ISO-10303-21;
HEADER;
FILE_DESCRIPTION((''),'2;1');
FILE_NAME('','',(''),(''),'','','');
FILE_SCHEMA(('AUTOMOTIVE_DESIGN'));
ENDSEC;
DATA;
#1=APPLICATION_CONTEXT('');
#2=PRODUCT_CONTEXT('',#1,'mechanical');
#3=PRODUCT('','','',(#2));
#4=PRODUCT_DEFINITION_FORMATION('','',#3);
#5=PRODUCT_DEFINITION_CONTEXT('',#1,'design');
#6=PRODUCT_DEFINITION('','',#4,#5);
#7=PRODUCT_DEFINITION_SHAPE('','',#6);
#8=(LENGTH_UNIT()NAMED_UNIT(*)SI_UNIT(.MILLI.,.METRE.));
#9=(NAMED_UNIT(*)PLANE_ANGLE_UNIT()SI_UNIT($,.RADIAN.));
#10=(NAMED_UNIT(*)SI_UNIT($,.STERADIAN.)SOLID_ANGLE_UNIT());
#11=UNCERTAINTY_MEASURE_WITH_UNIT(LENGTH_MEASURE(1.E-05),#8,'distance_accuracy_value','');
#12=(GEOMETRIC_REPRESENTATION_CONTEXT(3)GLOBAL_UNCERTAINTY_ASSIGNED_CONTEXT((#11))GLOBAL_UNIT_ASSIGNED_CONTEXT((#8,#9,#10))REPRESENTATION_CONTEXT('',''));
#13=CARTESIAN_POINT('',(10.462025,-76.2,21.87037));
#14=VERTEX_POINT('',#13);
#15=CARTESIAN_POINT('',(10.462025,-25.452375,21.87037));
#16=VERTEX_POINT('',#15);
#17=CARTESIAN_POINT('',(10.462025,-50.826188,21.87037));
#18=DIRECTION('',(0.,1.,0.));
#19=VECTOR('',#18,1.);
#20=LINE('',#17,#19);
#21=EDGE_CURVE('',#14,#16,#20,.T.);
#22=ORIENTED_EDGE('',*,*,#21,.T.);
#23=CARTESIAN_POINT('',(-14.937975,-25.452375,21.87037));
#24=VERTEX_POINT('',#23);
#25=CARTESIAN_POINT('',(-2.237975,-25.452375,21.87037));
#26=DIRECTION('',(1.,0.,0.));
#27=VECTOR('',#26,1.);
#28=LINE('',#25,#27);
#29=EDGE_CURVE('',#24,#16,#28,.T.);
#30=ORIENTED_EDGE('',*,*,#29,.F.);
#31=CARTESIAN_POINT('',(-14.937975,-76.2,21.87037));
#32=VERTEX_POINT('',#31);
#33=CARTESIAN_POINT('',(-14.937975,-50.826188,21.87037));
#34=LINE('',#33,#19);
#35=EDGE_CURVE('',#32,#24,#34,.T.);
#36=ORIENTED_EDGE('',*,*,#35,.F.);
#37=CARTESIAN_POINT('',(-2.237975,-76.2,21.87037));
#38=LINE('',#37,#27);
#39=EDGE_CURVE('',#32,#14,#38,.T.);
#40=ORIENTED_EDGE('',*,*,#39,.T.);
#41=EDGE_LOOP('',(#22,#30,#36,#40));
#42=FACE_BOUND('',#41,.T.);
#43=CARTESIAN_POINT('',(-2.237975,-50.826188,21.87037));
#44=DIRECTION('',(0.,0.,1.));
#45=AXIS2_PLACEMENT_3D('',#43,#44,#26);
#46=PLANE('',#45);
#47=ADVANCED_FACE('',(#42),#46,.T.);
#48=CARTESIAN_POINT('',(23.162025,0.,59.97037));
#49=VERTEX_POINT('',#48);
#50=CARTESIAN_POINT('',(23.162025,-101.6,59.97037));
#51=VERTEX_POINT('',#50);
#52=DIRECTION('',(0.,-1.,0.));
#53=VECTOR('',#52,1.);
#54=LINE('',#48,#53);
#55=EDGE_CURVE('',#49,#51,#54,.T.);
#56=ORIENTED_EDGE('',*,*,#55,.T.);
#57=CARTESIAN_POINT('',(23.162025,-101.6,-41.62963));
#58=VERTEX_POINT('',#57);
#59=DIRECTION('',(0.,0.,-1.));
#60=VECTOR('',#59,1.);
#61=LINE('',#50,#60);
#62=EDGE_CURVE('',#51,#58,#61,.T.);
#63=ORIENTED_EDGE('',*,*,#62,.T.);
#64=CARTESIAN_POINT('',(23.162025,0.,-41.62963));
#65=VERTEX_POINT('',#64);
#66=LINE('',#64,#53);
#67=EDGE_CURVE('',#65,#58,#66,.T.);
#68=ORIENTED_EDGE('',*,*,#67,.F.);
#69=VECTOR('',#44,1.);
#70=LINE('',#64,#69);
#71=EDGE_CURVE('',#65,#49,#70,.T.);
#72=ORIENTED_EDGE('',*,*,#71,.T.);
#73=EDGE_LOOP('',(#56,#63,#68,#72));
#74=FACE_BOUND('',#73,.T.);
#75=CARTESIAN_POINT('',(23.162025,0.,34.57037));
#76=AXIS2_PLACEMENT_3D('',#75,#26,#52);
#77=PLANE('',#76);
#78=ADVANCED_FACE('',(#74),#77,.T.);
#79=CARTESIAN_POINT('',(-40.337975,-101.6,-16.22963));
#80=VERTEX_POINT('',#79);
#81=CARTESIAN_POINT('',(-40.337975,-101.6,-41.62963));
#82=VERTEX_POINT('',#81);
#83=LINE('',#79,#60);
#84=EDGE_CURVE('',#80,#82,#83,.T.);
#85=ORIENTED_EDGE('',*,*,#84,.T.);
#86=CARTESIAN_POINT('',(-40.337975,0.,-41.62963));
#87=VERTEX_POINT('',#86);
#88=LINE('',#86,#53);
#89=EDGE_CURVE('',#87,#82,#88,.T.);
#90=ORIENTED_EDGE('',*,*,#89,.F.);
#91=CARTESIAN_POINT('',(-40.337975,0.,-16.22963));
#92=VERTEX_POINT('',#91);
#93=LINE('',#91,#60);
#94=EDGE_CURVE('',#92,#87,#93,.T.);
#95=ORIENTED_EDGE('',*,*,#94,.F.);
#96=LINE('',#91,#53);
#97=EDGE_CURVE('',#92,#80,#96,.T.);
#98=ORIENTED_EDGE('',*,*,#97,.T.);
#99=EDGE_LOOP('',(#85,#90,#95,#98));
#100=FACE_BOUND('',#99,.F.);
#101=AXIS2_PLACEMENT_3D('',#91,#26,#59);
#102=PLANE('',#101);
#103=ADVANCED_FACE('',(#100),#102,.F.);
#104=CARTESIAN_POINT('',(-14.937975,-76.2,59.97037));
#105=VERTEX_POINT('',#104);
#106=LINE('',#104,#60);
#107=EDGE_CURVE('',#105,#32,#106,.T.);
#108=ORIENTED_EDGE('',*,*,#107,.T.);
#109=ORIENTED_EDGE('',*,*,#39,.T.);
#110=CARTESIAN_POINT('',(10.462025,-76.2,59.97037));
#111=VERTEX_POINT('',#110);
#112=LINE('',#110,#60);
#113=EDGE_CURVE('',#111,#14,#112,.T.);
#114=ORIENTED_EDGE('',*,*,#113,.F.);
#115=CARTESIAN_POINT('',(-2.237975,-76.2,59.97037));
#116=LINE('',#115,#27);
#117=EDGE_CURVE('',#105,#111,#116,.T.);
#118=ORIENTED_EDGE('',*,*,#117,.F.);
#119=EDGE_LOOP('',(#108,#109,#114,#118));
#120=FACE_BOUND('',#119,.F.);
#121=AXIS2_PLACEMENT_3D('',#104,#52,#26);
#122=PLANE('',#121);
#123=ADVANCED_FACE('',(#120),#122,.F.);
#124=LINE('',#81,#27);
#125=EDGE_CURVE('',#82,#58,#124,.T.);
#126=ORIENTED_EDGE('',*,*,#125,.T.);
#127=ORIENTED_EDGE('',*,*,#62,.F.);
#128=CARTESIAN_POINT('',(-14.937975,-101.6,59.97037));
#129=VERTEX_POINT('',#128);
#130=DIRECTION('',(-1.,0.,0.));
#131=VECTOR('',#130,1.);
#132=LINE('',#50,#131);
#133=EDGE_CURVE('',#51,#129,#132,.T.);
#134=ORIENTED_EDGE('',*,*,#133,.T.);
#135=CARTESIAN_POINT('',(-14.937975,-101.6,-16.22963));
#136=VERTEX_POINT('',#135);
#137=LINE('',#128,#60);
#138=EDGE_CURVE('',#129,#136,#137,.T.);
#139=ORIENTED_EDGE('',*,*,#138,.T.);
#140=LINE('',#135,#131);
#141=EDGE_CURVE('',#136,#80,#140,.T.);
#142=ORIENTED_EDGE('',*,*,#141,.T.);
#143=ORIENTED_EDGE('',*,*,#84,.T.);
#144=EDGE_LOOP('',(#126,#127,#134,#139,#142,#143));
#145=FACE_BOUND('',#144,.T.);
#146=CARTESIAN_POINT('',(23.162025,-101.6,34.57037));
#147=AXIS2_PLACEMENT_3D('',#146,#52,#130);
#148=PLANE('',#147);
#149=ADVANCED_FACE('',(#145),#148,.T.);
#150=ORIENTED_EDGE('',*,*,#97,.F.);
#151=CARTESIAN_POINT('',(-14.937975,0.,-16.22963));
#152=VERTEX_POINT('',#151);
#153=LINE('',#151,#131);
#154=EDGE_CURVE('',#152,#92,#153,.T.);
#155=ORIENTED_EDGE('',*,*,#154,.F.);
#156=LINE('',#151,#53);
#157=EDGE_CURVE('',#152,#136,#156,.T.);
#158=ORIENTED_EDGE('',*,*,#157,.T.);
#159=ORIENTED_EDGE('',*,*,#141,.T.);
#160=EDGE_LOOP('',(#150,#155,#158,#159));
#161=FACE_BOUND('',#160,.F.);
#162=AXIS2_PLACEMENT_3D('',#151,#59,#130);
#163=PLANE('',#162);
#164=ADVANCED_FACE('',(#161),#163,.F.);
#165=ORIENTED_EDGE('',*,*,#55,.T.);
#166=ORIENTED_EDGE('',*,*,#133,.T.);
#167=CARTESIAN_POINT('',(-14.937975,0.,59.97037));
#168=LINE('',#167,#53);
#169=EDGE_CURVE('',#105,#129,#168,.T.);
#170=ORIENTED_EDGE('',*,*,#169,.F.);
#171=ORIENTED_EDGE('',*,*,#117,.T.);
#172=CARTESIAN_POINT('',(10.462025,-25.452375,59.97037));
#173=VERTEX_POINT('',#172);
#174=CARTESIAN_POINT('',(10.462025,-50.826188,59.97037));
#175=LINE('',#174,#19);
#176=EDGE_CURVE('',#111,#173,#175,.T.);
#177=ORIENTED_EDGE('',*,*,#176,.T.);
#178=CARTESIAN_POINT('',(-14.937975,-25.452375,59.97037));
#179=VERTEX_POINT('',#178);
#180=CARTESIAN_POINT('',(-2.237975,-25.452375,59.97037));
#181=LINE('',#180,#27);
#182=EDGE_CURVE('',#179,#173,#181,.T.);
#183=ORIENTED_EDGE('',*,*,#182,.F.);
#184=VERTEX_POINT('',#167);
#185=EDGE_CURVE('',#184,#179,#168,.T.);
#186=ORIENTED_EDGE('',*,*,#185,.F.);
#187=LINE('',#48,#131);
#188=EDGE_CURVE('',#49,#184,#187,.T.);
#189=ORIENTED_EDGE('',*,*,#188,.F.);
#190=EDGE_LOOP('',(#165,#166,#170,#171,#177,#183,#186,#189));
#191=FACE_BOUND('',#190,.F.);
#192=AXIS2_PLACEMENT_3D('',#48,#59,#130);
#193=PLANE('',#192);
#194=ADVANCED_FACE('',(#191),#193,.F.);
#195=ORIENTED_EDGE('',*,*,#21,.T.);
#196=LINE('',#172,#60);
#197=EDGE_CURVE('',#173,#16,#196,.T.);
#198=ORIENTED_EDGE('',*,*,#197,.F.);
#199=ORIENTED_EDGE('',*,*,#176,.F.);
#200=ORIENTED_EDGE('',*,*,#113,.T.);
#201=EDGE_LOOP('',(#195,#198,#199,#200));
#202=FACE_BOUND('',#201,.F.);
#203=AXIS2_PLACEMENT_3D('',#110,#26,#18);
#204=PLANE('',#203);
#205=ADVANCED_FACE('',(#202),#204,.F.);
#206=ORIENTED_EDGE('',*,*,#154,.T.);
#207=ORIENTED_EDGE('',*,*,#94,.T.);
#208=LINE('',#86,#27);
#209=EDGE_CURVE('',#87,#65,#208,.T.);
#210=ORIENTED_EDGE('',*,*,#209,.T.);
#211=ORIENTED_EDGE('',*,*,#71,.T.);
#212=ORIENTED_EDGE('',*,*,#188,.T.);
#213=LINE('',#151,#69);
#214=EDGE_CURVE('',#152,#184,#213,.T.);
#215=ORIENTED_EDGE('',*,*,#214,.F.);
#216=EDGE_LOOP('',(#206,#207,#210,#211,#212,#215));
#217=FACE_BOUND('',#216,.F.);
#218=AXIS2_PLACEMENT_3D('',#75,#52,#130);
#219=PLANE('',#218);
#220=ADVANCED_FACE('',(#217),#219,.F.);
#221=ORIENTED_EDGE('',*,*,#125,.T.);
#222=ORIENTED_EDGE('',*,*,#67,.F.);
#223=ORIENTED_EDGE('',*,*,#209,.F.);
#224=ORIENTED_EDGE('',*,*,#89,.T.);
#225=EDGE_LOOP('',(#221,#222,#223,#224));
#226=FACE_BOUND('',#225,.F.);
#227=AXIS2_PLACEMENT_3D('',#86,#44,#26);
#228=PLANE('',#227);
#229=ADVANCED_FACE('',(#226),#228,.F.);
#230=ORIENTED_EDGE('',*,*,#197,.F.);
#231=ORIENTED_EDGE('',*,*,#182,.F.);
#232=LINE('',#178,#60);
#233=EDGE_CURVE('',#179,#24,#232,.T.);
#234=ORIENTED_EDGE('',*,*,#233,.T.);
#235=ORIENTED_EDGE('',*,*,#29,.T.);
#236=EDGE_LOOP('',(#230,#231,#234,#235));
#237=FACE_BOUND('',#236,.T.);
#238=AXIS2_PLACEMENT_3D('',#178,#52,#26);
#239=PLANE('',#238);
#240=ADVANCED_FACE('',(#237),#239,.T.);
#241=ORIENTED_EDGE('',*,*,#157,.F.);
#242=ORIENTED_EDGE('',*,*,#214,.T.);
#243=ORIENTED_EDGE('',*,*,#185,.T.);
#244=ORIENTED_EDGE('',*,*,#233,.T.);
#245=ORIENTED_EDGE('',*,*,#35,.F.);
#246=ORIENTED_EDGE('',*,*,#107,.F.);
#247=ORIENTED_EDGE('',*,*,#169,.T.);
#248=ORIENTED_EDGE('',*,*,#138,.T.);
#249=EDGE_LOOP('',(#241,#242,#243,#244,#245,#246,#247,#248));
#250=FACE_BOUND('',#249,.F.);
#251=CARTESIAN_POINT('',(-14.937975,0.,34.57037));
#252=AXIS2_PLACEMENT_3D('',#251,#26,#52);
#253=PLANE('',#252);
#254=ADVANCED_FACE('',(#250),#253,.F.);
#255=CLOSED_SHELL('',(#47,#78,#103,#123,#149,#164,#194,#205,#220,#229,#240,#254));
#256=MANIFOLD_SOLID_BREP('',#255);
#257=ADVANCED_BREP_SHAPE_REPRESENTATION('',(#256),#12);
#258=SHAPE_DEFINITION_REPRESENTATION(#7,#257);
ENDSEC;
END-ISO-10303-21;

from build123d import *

# Parameters (mm, degrees)
F1_DEPTH = 101.6
F2_DEPTH = 25.4
F3_W     = 25.4
F3_H     = 50.747624588
F4_DEPTH = 38.1


with BuildPart() as f1:
    # F0 (on Front) → F1 (new body)
    with BuildSketch(Plane.XZ):
        Polygon((-40.3379746149, -16.229630179), (-40.3379746149, -41.629630179), (23.1620253851, -41.629630179), (23.1620253851, 34.570369821), (-14.9379746149, 34.570369821), (-14.9379746149, -16.229630179), align=None)
    extrude(amount=F1_DEPTH)

    # F2 (add): a face of the model
    f2_faces = [f1.faces().sort_by_distance(p)[0] for p in [
        (4.1120253851, -50.8, 34.570369821),
    ]]
    extrude(f2_faces, amount=F2_DEPTH)

    # F3 (on face) → F4 (cut)
    with BuildSketch(Plane.XY.offset(59.970369821)):
        with Locations((-2.2379746149, -50.826187706)):
            Rectangle(F3_W, F3_H)
    extrude(amount=-F4_DEPTH, mode=Mode.SUBTRACT)


solid = f1.part
